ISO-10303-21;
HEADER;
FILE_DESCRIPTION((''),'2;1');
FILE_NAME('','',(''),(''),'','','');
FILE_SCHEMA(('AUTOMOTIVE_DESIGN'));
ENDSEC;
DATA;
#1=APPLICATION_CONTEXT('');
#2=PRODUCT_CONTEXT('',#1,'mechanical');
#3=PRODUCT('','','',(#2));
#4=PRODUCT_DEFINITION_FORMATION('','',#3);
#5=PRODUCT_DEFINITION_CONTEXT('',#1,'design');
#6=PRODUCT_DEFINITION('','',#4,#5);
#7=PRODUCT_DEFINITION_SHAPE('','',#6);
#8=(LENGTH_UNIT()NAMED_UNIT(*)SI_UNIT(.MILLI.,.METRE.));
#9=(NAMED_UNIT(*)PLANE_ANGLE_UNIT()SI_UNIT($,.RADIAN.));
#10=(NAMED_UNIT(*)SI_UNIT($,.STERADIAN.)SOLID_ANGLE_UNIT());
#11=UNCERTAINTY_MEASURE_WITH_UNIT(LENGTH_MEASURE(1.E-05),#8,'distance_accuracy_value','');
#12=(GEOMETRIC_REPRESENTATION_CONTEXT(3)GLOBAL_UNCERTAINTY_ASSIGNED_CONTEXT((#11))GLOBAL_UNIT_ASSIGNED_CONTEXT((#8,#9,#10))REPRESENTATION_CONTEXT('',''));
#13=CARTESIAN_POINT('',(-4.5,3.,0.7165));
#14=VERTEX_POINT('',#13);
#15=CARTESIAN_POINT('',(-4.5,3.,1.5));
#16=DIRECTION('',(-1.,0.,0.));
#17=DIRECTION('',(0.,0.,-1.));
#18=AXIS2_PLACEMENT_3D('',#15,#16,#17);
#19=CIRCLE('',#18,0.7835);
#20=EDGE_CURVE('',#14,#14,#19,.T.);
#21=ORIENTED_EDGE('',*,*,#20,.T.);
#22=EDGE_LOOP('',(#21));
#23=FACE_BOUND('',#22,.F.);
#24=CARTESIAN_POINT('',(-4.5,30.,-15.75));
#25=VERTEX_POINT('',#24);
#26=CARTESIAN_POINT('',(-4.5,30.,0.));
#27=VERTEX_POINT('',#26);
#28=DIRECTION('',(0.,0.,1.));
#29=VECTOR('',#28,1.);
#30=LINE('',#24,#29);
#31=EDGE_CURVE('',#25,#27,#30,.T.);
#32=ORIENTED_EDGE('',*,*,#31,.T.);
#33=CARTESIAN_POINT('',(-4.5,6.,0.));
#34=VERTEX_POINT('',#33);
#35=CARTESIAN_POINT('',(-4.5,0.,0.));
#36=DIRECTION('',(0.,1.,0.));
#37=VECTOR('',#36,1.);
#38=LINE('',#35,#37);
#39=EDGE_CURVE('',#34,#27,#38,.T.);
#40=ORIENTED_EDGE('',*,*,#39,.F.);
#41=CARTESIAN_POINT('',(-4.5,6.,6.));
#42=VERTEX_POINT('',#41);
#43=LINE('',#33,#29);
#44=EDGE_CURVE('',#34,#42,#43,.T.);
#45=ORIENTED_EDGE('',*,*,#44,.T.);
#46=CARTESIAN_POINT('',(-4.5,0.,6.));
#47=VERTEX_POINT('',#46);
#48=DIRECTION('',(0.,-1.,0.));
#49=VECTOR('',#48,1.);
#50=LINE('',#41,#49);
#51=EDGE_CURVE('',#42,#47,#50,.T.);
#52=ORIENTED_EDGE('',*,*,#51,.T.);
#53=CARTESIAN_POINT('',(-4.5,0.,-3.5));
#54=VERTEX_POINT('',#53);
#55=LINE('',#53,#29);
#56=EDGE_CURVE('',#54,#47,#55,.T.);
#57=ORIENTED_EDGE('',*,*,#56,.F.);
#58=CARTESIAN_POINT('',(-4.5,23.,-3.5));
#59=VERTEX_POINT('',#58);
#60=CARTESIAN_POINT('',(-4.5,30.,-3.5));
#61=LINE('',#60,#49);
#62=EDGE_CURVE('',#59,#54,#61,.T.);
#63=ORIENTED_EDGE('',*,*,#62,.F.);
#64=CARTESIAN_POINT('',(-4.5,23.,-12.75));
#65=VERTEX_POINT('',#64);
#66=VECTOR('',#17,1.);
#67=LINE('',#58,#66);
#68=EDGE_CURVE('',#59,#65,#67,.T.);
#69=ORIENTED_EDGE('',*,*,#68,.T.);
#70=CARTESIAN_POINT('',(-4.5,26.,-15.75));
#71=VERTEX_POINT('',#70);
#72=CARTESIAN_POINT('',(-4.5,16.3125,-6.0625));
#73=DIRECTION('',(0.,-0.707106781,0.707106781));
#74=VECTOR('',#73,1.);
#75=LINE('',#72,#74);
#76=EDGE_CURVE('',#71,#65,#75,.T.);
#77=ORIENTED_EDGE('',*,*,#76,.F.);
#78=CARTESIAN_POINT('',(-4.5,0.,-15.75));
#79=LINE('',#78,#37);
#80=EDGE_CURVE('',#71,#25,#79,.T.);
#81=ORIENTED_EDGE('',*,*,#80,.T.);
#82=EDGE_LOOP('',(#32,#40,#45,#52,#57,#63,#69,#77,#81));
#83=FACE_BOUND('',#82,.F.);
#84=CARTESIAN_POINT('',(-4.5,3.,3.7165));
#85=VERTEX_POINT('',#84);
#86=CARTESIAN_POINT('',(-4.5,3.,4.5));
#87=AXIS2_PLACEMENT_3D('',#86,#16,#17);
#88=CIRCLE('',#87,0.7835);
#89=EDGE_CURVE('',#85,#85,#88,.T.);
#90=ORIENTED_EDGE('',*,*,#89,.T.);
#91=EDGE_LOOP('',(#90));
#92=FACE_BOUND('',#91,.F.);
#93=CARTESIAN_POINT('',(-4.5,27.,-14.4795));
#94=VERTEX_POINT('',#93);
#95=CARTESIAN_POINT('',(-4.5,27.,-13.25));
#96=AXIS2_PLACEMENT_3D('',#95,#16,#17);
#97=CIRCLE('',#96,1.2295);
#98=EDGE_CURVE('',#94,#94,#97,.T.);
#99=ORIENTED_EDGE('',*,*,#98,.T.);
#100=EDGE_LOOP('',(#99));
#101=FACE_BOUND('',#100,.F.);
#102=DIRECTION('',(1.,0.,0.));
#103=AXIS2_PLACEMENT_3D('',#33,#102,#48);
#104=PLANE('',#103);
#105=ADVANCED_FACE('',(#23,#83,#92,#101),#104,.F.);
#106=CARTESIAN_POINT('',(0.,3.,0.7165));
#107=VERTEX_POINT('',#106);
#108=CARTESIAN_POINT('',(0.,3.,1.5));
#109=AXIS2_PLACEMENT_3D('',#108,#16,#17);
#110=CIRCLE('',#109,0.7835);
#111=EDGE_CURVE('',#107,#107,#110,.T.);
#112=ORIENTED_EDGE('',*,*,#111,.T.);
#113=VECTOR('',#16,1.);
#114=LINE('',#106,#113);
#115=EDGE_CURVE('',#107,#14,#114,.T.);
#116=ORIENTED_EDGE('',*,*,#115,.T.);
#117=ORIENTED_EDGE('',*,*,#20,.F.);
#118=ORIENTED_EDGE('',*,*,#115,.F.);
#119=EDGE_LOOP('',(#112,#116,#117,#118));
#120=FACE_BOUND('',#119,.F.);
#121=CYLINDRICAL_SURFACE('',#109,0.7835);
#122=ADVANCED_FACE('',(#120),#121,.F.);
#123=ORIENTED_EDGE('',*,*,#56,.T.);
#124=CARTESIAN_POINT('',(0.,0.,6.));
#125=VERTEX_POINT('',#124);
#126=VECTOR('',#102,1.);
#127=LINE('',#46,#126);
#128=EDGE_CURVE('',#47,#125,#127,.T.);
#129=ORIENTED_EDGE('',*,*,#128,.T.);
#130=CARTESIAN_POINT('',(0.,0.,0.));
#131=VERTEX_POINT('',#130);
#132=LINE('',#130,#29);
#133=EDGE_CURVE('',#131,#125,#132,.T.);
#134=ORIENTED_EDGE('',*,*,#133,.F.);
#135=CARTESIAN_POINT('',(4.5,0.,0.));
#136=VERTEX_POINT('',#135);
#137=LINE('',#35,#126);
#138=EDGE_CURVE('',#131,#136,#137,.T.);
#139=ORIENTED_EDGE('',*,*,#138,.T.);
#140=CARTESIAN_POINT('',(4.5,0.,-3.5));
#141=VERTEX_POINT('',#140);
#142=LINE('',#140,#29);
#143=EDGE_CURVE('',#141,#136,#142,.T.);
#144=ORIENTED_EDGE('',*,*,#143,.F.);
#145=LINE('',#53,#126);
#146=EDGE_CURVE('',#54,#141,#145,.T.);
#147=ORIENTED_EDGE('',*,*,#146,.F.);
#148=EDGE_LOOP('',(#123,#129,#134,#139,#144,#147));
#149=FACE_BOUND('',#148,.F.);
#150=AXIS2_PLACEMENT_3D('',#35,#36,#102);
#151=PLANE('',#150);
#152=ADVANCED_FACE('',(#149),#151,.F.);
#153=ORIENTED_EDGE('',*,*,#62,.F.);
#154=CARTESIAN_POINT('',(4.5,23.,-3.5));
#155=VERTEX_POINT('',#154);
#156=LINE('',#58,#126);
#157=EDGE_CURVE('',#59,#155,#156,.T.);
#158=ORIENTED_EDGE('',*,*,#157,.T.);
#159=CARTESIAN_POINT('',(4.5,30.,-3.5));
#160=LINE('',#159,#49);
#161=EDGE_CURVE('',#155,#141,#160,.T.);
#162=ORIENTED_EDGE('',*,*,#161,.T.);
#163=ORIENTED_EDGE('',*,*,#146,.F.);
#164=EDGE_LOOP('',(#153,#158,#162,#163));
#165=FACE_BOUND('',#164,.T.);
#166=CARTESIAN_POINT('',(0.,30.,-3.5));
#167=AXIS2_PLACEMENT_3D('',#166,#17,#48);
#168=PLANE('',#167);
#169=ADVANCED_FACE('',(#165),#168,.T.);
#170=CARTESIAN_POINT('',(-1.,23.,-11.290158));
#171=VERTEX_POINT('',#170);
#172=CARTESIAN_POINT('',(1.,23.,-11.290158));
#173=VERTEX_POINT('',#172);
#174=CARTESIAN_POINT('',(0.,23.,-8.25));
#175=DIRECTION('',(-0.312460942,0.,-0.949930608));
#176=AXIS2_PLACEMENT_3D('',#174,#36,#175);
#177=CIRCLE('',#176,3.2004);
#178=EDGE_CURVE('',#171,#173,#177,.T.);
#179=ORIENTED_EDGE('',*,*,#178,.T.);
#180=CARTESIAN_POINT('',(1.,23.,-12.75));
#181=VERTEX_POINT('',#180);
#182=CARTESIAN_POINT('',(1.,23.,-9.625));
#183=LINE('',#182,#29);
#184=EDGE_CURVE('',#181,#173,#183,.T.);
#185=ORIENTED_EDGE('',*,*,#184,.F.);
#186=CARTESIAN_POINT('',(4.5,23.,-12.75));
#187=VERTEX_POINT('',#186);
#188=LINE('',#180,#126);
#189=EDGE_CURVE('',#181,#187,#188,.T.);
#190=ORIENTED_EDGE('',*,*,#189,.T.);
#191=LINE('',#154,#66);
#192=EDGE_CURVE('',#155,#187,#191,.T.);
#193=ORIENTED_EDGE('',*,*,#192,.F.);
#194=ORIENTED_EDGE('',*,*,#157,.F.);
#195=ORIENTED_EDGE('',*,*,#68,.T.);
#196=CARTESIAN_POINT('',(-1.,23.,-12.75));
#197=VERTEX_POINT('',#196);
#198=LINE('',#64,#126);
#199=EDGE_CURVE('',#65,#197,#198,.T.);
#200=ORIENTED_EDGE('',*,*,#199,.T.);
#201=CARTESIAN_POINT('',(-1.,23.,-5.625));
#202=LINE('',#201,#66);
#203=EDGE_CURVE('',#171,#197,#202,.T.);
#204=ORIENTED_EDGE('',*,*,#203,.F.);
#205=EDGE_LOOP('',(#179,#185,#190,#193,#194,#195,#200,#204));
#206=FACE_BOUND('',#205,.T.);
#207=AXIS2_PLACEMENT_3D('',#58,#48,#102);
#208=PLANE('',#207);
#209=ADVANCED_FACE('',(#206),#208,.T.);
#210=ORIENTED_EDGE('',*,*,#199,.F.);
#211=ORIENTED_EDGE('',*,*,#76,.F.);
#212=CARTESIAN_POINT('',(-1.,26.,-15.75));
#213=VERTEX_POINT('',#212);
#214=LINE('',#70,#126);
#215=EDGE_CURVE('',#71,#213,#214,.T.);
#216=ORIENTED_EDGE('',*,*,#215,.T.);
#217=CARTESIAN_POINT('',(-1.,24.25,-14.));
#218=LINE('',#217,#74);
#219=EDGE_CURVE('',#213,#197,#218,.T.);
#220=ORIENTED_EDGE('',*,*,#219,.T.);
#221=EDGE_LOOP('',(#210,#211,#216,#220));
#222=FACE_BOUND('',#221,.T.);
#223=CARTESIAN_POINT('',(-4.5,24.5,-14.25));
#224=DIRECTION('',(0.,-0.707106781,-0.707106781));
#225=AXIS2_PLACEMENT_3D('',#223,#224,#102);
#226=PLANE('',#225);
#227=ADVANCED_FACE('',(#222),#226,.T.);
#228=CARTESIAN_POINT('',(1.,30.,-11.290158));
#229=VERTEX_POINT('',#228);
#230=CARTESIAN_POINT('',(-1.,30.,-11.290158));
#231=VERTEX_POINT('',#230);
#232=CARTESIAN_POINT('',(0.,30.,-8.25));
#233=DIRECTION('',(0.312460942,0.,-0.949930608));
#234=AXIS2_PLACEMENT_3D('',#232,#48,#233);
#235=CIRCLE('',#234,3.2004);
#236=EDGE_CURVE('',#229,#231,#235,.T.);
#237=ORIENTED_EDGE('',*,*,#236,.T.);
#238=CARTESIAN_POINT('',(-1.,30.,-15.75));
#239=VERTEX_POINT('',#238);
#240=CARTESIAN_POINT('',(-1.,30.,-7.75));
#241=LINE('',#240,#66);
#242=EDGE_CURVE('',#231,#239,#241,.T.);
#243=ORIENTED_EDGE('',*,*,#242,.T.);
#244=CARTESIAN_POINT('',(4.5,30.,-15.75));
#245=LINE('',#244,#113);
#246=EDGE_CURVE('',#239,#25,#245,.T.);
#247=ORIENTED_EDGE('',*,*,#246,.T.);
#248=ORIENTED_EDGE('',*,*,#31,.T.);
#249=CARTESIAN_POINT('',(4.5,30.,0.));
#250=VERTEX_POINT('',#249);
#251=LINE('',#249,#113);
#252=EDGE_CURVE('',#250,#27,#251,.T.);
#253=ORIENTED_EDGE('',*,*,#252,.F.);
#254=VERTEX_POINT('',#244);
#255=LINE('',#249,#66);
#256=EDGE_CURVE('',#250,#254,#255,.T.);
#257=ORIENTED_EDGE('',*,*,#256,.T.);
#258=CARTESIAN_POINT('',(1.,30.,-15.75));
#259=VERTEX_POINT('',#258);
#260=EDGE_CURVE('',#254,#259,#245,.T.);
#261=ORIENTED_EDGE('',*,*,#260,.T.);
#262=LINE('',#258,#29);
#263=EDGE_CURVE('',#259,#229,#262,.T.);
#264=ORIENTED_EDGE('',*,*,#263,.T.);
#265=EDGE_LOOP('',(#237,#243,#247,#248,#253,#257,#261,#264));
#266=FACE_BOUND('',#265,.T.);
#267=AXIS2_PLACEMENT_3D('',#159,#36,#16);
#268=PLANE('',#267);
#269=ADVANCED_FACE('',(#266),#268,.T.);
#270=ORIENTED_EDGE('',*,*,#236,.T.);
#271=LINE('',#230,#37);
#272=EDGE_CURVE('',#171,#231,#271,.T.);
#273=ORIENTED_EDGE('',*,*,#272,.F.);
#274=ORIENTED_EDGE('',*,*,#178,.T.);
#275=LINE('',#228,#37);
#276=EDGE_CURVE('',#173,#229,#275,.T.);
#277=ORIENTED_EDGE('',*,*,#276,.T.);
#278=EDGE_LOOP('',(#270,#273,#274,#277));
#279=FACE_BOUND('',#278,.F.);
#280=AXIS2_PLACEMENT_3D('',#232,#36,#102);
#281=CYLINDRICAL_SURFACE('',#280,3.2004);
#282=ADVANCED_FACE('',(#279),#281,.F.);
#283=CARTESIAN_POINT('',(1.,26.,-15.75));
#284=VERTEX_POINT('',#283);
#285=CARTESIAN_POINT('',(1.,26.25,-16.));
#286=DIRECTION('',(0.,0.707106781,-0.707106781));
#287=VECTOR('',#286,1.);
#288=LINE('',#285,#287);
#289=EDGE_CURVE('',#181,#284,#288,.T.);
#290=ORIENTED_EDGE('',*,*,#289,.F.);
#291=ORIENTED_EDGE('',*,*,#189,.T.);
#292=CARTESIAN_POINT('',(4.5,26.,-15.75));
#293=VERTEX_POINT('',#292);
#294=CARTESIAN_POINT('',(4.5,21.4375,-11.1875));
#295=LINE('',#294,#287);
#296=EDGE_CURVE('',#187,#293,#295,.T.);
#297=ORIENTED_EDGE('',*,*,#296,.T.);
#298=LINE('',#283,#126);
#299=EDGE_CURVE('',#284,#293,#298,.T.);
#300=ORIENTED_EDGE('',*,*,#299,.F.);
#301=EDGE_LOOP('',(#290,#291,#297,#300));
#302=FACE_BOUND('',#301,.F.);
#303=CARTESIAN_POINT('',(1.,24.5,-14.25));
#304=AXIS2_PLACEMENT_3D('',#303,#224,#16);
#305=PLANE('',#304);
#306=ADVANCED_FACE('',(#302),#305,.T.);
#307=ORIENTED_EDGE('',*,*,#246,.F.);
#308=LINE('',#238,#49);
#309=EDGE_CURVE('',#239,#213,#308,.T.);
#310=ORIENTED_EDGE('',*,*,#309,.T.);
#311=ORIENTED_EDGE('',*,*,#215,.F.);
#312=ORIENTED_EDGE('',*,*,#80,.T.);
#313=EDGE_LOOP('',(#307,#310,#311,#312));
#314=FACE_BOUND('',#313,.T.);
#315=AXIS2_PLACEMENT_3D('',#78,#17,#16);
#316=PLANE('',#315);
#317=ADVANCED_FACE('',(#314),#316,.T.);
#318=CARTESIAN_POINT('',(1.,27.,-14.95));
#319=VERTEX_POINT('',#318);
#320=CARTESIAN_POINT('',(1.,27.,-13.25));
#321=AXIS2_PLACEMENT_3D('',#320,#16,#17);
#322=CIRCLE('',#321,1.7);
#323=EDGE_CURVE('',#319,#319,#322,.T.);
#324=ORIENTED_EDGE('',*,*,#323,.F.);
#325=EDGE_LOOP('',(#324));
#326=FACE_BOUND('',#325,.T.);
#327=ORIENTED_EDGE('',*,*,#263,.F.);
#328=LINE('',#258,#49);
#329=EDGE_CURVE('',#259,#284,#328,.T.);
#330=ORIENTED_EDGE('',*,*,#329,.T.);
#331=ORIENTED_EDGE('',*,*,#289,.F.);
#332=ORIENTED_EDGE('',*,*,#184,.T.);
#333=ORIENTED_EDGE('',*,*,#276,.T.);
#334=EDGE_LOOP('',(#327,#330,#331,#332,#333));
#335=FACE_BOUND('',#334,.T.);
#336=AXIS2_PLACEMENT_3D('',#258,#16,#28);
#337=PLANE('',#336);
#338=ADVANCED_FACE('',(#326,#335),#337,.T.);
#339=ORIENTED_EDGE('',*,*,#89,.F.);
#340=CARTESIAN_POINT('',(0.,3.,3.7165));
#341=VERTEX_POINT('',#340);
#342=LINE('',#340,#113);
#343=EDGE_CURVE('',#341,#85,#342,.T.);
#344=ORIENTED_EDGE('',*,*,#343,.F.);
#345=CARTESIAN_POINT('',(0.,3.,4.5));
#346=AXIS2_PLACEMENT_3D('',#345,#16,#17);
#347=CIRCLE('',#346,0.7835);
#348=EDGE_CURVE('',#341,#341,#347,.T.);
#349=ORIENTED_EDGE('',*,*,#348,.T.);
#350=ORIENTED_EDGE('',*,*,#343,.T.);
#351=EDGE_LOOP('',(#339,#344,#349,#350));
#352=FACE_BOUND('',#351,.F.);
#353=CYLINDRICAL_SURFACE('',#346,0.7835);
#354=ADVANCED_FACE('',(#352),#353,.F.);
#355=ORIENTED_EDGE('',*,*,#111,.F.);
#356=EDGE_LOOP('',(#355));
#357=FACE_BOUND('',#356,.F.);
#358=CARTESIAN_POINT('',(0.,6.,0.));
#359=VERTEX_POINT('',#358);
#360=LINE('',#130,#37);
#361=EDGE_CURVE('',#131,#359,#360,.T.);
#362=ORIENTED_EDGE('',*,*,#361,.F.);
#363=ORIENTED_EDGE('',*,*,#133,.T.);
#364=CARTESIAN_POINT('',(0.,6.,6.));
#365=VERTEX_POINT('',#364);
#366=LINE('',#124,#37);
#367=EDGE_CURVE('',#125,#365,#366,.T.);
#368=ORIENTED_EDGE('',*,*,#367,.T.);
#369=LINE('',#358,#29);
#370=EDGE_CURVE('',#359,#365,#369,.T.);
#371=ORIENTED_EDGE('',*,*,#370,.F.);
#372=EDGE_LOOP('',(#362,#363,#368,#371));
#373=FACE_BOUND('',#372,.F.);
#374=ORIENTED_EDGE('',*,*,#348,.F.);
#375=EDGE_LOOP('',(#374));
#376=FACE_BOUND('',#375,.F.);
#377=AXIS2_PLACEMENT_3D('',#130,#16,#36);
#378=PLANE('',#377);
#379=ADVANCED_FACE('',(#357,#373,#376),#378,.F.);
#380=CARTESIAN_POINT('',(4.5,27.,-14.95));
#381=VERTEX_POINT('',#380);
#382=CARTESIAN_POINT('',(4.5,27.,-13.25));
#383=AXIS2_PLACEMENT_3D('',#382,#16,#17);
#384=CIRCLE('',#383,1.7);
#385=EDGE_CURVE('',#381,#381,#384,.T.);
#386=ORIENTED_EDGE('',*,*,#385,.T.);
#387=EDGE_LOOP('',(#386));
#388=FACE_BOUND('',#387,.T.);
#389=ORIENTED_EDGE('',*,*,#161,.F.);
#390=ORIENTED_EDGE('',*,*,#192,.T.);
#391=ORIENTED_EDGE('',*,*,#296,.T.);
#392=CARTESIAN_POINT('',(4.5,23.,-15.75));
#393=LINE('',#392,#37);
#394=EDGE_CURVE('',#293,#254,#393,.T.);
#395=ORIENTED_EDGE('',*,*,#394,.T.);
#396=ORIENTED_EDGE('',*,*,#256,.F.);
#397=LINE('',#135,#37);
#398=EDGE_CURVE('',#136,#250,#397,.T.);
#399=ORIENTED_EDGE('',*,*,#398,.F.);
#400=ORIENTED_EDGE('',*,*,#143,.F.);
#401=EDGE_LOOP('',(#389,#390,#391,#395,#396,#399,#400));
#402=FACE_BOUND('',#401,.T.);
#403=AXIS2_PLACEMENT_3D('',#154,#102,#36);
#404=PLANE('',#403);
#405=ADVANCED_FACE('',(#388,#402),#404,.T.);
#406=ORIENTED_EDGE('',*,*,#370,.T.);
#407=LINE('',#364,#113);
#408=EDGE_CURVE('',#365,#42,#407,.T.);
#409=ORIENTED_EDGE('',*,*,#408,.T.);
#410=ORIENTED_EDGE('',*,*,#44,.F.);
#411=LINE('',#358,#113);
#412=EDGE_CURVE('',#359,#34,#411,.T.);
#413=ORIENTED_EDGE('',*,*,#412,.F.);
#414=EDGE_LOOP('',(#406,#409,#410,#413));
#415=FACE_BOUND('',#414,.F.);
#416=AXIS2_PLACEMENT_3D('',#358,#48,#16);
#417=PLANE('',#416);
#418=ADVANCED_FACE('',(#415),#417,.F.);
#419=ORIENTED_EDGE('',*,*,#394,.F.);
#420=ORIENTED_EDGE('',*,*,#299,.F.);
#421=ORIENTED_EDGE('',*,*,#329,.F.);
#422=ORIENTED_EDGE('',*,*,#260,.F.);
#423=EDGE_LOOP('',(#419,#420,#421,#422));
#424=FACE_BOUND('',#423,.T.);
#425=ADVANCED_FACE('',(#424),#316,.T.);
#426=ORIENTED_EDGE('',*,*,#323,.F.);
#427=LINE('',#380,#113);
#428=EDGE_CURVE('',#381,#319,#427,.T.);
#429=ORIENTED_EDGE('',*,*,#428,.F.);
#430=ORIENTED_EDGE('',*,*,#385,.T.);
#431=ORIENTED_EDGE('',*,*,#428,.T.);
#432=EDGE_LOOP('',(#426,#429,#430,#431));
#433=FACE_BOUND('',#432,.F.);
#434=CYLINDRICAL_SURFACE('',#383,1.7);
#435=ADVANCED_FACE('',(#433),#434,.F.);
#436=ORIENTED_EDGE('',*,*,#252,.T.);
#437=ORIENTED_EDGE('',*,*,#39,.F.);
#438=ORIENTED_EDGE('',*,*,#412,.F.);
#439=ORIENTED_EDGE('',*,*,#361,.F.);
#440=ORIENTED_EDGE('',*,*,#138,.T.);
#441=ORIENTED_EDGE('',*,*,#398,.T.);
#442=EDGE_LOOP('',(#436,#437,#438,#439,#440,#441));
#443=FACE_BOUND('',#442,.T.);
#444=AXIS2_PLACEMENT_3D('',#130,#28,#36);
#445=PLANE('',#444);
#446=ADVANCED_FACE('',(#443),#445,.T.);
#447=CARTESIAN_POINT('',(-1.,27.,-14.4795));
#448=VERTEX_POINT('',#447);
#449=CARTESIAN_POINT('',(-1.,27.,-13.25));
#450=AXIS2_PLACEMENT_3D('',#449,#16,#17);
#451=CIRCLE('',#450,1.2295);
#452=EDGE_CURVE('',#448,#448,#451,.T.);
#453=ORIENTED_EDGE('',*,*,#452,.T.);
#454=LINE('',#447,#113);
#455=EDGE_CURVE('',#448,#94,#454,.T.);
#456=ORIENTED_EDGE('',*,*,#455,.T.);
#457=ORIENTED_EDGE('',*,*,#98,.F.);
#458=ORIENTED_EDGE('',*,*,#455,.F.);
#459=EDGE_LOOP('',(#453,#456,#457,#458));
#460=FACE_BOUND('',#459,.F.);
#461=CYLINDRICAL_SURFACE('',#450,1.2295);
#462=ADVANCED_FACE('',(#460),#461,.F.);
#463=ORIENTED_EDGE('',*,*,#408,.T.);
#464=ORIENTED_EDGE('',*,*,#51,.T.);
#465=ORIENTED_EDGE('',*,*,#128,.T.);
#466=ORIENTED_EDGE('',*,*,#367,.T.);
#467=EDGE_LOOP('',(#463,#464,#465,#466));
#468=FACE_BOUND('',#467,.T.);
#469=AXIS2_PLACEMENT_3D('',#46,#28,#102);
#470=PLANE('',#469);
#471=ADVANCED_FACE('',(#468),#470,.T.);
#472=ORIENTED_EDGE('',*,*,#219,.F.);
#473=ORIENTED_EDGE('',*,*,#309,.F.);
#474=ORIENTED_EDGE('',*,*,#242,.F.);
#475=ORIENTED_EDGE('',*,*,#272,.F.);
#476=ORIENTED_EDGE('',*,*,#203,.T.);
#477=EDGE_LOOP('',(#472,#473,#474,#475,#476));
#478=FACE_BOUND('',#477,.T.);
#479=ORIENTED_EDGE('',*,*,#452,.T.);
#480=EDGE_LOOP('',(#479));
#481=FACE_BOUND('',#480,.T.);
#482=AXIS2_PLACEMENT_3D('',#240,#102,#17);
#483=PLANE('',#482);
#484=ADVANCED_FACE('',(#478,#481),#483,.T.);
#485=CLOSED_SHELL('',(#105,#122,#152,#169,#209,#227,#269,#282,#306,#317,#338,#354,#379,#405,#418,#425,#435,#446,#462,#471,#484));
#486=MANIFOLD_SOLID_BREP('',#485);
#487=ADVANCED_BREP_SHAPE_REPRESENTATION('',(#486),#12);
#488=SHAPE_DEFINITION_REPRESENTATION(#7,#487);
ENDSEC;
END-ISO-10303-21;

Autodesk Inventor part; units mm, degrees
ref_plane "YZ Plane" through (0, 0, 0) normal (1, 0, 0) x (0, 1, 0)
ref_plane "XZ Plane" through (0, 0, 0) normal (0, 1, 0) x (-1, 0, 0)
sketch "Sketch1" plane through (0, 0, 0) normal (1, 0, 0) x (0, 1, 0)
  line L0 (0, 0) -> (30, 0)
  line L1 (30, 0) -> (30, -3.5)
  line L2 (30, -3.5) -> (0, -3.5)
  line L3 (0, -3.5) -> (0, 0)
  dimension "d0" = 3.5
  dimension "d1" = 30
extrude "Extrusion1" add sketch "Sketch1" along normal mid plane 9
sketch "Sketch2" plane through (-4.5, 0, -3.5) normal (0, 0, -1) x (-1, 0, 0)
  line L0 (-9, 30) -> (0, 30) projected
  line L1 (0, 0) -> (0, 30) projected
  line L2 (-9, 30) -> (0, 30)
  line L3 (0, 30) -> (0, 23)
  line L4 (0, 23) -> (-9, 23)
  line L5 (-9, 23) -> (-9, 30)
  point P0 (-4.5, 0)
  dimension "d4" = 7
extrude "Extrusion2" add sketch "Sketch2" along normal blind 12.25
ref_plane "Work Plane1" through (0, 0, 0) normal (-1, 0, 0) x (0, 0, 1)
sketch "Sketch3" plane through (-4.5, 0, 0) normal (0, 0, 1) x (1, 0, 0)
  line L0 (4.5, 0) -> (9, 0) projected
  line L1 (0, 0) -> (4.5, 0)
  line L2 (4.5, 0) -> (4.5, 6)
  line L3 (4.5, 6) -> (0, 6)
  line L4 (0, 6) -> (0, 0)
  line L5 (9, 30) -> (0, 30) projected
  line L6 (4.5, -6) -> (4.5, 36) projected
  point P0 (4.5, 30)
  dimension "d7" = 4.5
  dimension "d8" = 4.5
  dimension "d9" = 6
extrude "Extrusion3" add sketch "Sketch3" along normal blind 6
sketch "Sketch7" plane through (-4.5, 30, 0) normal (0, 1, 0) x (1, 0, 0)
  circle A0 centre (4.5, 8.25) radius 3.2004
  line L0 (0, 15.75) -> (9, 15.75) projected
  point P0 (4.5, 0)
  dimension "d42" = 6.4008
  dimension "d43" = 7.5
extrude "Extrusion6" cut sketch "Sketch7" against normal up to next
sketch "Sketch8" plane through (-4.5, 30, 0) normal (0, 1, 0) x (1, 0, 0)
  line L0 (9, 15.75) -> (0, 15.75) projected
  line L1 (5.5, 7.75) -> (3.5, 7.75)
  line L2 (3.5, 7.75) -> (3.5, 15.75)
  line L3 (3.5, 15.75) -> (5.5, 15.75)
  line L4 (5.5, 15.75) -> (5.5, 7.75)
  line L5 (5.5, 7.75) -> (3.5, 15.75) construction
  line L6 (3.5, 7.75) -> (5.5, 15.75) construction
  line L7 (4.5, -3.15) -> (4.5, 18.9) projected
  point P0 (4.5, 0)
  point P1 (4.5, 11.75)
  dimension "d46" = 8
  dimension "d47" = 2
  dimension "d48" = 1
extrude "Extrusion7" cut sketch "Sketch8" against normal up to next
sketch "Sketch9" plane through (4.5, 0, 0) normal (1, 0, 0) x (0, 0, -1)
  line L0 (0, 30) -> (15.75, 30) projected
  line L1 (15.75, 30) -> (15.75, 23) projected
  point P0 (0, 0)
  point P1 (13.25, 27)
  dimension "d51" = 3
  dimension "d52" = 2.5
hole "Hole2" at (4.5, 27, -13.25) direction (-1, 0, 0) diameter 3.4 depth 3.5 clearance for "Flat Head Machine Screw" size "M3" standard "Ansi Metric M Profile"
sketch "Sketch10" plane through (-1, 30, -11.2902) normal (1, 0, 0) x (0, 0, -1)
  circle A0 centre (1.9598, -3) radius 1.7 projected
  point P0 (-11.2902, -30)
  point P1 (3.0161, 3.0772)
hole "Hole3" at (-1, 27, -13.25) direction (-1, 0, 0) diameter 2.459 depth 3.5 thread size "M3x0.5" class "6H" standard "ANSI Metric M Profile"
chamfer "Chamfer1" distance 3 angle 45 2 edges at (2.75, 23, -15.75) (-2.75, 23, -15.75)
sketch "Sketch13" plane through (0, 0, 0) normal (1, 0, 0) x (0, 0, -1)
  line L0 (0, 0) -> (-6, 0) projected
  line L1 (-6, 0) -> (-6, 6) projected
  line L2 (0, 6) -> (-6, 6) projected
  line L3 (0, 30) -> (0, 0) projected
  point P0 (-4.5, 3)
  dimension "d91" = 3
  dimension "d92" = 4.5
hole "Hole4" at (0, 3, 4.5) direction (-1, 0, 0) diameter 1.567 end through all thread size "M2x0.4" class "6H" standard "ANSI Metric M Profile"
sketch "Sketch14" plane through (0, 0, 0) normal (1, 0, 0) x (0, 0, -1)
  line L0 (-6, 0) -> (-6, 6) projected
  line L1 (0, 6) -> (-6, 6) projected
  point P0 (0, 0)
  point P1 (-1.5, 3)
  dimension "d100" = 4.5
  dimension "d101" = 3
hole "Hole5" at (0, 3, 1.5) direction (-1, 0, 0) diameter 1.567 end through all thread size "M2x0.4" class "6H" standard "ANSI Metric M Profile"
properties part number "MEM to dovetail rod adapter - v3"
